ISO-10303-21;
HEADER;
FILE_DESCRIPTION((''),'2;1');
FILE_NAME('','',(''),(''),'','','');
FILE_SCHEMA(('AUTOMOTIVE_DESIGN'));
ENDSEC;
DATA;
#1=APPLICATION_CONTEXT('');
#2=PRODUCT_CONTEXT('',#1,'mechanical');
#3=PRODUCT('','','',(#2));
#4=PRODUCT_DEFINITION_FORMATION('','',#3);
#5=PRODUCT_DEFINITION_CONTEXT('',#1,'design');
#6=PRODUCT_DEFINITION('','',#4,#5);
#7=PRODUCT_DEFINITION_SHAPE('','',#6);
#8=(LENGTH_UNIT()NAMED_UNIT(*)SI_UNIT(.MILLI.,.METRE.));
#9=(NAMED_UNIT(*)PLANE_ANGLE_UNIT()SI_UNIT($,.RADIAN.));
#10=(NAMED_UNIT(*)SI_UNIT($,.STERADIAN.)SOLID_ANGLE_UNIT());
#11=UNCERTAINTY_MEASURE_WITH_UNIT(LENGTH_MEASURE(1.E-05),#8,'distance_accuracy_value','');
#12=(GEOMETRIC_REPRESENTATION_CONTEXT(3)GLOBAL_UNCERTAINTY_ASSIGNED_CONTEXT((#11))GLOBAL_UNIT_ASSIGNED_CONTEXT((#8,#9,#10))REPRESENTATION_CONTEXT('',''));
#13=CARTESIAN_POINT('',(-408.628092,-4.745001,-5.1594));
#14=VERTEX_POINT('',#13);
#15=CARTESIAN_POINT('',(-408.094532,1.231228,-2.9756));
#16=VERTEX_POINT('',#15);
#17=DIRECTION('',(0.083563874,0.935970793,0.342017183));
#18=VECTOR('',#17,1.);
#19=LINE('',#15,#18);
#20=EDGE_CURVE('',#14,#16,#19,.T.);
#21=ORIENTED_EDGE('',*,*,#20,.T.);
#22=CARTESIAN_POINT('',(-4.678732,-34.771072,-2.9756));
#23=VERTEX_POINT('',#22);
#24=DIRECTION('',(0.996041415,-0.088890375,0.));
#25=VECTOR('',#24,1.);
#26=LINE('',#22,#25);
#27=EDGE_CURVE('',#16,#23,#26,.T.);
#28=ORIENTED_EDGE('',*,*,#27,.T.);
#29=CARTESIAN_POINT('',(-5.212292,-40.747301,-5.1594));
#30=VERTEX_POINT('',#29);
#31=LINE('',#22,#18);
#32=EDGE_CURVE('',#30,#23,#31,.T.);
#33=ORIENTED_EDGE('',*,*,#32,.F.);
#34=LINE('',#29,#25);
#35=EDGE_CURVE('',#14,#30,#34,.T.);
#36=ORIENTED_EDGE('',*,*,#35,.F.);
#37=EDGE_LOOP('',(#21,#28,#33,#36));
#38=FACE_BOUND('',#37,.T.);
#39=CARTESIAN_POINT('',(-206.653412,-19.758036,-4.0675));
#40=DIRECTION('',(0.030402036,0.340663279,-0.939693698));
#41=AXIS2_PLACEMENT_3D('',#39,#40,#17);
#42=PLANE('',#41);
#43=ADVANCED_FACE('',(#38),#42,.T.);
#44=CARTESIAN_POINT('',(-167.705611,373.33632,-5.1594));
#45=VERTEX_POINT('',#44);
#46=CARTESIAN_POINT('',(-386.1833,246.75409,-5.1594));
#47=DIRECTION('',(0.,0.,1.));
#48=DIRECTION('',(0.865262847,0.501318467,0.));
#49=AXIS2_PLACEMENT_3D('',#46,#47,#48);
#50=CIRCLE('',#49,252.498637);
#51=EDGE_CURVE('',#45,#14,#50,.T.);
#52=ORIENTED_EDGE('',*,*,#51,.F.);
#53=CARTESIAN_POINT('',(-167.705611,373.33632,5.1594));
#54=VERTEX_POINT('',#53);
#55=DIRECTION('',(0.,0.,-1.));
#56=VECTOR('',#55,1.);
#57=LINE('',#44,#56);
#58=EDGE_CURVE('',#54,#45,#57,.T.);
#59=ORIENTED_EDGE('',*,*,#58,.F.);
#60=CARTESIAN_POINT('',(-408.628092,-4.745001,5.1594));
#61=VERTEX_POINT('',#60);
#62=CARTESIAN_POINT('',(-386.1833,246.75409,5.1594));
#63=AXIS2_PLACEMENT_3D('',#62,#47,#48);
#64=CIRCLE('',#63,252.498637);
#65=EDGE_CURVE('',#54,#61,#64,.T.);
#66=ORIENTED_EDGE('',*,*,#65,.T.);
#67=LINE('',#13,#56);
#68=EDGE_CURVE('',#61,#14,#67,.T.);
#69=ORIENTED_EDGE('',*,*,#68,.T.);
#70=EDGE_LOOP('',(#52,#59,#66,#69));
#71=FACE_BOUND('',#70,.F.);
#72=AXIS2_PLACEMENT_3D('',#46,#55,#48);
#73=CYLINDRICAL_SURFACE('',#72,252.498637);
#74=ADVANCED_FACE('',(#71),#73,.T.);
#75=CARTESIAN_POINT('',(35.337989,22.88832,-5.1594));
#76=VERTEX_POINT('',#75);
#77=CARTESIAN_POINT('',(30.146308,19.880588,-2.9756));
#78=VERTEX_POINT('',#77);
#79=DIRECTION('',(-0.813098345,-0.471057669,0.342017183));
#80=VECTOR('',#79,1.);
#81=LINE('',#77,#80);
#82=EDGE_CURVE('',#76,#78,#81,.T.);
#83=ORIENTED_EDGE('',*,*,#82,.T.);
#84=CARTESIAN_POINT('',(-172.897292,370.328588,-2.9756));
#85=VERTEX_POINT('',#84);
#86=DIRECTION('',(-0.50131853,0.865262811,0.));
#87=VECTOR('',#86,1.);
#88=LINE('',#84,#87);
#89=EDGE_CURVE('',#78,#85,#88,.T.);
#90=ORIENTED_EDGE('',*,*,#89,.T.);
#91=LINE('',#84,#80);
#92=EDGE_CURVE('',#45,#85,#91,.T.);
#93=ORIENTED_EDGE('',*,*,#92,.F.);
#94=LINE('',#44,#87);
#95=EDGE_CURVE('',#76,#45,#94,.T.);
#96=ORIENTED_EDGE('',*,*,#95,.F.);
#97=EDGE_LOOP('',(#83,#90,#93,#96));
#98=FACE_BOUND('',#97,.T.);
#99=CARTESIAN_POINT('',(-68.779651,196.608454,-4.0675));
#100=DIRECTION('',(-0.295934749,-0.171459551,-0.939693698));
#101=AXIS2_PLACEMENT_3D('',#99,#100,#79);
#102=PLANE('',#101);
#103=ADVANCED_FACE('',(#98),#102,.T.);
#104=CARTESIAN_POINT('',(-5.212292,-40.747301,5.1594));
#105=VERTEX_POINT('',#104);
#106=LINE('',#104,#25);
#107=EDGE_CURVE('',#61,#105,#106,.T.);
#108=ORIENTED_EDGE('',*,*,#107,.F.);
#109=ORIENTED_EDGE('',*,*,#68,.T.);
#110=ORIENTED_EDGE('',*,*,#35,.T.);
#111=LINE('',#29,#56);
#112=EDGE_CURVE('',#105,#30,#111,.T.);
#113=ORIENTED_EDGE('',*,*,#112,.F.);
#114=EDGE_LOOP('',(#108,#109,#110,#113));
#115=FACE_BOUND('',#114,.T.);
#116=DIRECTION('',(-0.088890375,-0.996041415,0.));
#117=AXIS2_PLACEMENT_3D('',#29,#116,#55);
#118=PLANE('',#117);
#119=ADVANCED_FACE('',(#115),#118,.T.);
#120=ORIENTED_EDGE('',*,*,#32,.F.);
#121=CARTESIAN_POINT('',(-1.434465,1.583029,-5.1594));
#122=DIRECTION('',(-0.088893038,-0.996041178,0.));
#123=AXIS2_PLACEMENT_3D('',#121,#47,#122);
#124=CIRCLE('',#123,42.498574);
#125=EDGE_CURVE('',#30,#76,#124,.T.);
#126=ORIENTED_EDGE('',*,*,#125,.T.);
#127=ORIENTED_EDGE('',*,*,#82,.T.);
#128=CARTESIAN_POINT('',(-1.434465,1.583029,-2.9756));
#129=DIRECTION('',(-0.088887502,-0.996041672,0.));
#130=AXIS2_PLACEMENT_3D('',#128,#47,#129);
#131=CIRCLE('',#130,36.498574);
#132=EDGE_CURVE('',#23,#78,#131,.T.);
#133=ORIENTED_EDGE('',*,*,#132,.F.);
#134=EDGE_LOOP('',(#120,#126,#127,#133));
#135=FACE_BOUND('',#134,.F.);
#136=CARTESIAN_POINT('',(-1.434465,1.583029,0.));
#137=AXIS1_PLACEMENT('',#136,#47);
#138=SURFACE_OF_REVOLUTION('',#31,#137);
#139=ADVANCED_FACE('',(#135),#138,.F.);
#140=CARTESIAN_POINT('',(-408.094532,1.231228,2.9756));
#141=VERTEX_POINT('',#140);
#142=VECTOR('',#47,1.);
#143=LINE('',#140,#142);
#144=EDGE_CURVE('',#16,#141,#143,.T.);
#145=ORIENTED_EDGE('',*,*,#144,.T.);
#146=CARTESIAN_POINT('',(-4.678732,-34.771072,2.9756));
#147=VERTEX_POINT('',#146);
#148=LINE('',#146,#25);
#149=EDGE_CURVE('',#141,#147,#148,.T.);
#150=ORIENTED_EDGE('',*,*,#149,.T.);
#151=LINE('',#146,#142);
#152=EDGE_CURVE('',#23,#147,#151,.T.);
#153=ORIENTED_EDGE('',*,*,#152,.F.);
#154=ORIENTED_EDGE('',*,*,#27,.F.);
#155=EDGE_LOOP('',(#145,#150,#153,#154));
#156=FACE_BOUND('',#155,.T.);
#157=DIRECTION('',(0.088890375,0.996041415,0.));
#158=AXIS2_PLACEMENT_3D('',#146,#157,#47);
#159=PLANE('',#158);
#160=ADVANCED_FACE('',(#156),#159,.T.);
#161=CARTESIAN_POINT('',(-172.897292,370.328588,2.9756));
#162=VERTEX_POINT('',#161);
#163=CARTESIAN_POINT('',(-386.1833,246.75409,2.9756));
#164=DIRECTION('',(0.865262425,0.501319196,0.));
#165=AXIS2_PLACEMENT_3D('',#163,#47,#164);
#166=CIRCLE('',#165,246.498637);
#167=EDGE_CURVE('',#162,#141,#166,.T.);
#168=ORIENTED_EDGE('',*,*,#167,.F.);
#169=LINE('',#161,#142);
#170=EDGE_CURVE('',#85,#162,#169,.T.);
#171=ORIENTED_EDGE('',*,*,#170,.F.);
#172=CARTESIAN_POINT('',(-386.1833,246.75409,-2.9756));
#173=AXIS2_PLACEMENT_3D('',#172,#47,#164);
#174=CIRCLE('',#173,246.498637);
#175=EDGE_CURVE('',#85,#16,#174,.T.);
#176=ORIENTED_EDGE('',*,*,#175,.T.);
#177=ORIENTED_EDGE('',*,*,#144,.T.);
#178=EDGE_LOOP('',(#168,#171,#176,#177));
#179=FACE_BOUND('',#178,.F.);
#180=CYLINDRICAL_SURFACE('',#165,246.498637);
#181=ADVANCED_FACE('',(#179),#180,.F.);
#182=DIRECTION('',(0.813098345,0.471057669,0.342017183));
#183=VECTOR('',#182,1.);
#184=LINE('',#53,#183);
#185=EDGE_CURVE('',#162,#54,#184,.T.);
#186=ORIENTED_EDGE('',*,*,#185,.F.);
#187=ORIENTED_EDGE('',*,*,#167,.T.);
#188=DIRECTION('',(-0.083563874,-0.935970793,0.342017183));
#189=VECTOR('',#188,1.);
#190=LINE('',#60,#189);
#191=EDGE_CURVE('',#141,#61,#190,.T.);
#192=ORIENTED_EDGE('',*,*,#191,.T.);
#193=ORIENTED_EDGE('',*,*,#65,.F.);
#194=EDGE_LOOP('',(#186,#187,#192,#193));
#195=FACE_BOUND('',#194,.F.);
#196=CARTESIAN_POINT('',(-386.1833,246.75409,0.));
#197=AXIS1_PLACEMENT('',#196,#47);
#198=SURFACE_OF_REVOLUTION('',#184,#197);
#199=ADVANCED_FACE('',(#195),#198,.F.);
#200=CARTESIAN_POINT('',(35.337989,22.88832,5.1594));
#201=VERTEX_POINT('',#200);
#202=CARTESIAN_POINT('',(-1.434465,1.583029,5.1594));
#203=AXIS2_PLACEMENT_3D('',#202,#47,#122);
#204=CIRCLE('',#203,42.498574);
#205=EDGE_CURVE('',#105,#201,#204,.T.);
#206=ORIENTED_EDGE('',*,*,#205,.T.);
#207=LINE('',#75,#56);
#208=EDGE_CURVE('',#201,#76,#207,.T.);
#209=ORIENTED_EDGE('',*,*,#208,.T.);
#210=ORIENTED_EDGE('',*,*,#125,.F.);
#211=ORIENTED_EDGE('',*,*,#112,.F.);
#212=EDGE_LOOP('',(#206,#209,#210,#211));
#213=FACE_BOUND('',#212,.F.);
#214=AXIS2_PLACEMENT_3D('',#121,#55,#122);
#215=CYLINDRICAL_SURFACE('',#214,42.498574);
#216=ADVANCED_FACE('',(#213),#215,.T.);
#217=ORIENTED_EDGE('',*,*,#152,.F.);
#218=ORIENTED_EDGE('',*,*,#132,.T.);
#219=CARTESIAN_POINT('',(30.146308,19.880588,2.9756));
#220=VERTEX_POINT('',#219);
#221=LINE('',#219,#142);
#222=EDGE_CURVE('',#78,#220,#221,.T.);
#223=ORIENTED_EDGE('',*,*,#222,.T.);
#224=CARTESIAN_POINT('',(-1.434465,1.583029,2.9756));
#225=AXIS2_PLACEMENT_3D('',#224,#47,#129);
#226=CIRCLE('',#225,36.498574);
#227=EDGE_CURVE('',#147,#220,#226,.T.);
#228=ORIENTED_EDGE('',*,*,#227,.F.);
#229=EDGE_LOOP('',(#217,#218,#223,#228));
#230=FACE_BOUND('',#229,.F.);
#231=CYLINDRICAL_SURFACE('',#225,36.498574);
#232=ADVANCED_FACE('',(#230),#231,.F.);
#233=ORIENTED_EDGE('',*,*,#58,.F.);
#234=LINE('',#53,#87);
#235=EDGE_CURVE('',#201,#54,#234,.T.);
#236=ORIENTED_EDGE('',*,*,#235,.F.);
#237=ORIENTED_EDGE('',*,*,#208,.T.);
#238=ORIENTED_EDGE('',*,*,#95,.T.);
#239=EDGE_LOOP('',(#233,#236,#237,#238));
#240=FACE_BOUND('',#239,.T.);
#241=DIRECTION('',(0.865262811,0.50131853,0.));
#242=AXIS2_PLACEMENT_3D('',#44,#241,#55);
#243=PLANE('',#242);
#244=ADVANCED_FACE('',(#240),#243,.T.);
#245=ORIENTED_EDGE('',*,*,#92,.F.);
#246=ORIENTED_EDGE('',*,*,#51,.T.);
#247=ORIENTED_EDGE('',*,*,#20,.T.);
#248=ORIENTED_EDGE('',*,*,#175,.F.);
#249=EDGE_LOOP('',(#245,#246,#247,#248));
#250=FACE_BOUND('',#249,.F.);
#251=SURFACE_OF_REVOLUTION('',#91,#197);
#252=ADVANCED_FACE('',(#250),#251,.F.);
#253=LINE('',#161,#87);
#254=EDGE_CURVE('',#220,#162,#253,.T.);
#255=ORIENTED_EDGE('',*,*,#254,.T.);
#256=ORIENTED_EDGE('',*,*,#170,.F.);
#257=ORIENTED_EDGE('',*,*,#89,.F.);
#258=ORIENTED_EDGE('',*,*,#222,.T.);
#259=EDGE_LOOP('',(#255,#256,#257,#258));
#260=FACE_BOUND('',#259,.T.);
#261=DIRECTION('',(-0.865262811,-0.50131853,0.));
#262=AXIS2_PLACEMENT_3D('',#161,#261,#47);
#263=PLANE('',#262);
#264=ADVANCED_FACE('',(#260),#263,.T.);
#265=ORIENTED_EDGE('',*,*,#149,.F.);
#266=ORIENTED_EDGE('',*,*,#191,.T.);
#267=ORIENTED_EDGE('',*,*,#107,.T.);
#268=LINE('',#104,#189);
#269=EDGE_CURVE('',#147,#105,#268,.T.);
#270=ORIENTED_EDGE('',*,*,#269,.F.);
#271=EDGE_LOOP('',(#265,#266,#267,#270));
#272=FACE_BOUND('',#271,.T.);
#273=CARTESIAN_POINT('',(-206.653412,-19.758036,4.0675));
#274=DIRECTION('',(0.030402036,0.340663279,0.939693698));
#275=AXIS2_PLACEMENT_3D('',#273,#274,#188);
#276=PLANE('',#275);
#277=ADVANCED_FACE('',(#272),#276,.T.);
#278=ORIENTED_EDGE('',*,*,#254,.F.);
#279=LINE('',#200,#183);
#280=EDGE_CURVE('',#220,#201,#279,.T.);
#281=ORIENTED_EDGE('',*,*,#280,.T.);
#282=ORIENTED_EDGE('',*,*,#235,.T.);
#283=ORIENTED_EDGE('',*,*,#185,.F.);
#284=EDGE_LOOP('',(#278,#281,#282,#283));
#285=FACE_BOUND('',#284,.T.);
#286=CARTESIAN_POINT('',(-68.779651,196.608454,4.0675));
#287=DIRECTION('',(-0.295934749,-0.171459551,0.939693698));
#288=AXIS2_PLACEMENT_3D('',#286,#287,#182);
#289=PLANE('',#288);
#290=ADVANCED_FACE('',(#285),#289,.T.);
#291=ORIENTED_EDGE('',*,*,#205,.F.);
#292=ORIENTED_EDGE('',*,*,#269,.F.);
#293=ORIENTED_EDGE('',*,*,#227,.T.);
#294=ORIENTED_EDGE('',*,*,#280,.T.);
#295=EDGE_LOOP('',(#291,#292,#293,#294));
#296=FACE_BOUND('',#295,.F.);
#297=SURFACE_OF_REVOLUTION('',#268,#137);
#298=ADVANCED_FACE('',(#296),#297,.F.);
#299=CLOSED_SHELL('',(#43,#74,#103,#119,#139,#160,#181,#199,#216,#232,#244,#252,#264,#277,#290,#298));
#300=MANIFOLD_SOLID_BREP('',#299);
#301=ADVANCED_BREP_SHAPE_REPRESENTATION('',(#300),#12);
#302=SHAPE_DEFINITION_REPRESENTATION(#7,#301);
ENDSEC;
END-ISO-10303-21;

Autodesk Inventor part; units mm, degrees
ref_plane "YZ Plane" through (0, 0, 0) normal (1, 0, 0) x (0, 1, 0)
ref_plane "XZ Plane" through (0, 0, 0) normal (0, 1, 0) x (-1, 0, 0)
sketch "Sketch Path" plane through (0, 0, 0) normal (0, 0, 1) x (1, 0, 0)
  arc A0 (-4.9901, -38.2586) -> (33.176, 21.6358) centre (-1.4345, 1.5831) ccw
  arc A1 (-169.8676, 372.0838) -> (-408.4059, -2.2563) centre (-386.1833, 246.7541) ccw
  line L0 (-169.8676, 372.0838) -> (33.176, 21.6358)
  line L1 (-4.9901, -38.2586) -> (-408.4059, -2.2563)
ref_plane "Cross Section Plane" through (33.176, 21.6358, 0) normal (-0.5013, 0.8653, 0) x (0, 0, 1)
sketch "Cross Section" plane through (33.176, 21.6358, 0) normal (-0.5013, 0.8653, 0) x (0, 0, 1)
  line L0 (0, 2.4986) -> (0, -3.5014) construction
  line L1 (-4.25, 0) -> (4.25, 0) construction
  line L2 (-5.1594, 2.4986) -> (5.1594, 2.4986)
  line L3 (5.1594, 2.4986) -> (2.9756, -3.5014)
  line L4 (2.9756, -3.5014) -> (-2.9756, -3.5014)
  line L5 (-2.9756, -3.5014) -> (-5.1594, 2.4986)
  point P0 (0, 0)
  point P1 (0, 0)
  point P2 (0, 0)
  dimension "d0" = 8.5
  dimension "d1" = 2.4986
  dimension "d2" = 40
  dimension "d3" = 6
sweep "Belt" add profiles "Cross Section" path "Sketch Path"
equation "\"d0\" = da_Bw"
equation "\"d1\" = da_Hw"
equation "\"d2\" = da_Alfa"
equation "\"d3\" = da_H"
equation "\"da_Alfa\" = 40deg"
equation "\"da_H\" = 6"
equation "\"da_Bw\" = 8.5"
equation "\"da_Hw\" = 2.49859"
properties part number "V-Belt" material "Rubber"
